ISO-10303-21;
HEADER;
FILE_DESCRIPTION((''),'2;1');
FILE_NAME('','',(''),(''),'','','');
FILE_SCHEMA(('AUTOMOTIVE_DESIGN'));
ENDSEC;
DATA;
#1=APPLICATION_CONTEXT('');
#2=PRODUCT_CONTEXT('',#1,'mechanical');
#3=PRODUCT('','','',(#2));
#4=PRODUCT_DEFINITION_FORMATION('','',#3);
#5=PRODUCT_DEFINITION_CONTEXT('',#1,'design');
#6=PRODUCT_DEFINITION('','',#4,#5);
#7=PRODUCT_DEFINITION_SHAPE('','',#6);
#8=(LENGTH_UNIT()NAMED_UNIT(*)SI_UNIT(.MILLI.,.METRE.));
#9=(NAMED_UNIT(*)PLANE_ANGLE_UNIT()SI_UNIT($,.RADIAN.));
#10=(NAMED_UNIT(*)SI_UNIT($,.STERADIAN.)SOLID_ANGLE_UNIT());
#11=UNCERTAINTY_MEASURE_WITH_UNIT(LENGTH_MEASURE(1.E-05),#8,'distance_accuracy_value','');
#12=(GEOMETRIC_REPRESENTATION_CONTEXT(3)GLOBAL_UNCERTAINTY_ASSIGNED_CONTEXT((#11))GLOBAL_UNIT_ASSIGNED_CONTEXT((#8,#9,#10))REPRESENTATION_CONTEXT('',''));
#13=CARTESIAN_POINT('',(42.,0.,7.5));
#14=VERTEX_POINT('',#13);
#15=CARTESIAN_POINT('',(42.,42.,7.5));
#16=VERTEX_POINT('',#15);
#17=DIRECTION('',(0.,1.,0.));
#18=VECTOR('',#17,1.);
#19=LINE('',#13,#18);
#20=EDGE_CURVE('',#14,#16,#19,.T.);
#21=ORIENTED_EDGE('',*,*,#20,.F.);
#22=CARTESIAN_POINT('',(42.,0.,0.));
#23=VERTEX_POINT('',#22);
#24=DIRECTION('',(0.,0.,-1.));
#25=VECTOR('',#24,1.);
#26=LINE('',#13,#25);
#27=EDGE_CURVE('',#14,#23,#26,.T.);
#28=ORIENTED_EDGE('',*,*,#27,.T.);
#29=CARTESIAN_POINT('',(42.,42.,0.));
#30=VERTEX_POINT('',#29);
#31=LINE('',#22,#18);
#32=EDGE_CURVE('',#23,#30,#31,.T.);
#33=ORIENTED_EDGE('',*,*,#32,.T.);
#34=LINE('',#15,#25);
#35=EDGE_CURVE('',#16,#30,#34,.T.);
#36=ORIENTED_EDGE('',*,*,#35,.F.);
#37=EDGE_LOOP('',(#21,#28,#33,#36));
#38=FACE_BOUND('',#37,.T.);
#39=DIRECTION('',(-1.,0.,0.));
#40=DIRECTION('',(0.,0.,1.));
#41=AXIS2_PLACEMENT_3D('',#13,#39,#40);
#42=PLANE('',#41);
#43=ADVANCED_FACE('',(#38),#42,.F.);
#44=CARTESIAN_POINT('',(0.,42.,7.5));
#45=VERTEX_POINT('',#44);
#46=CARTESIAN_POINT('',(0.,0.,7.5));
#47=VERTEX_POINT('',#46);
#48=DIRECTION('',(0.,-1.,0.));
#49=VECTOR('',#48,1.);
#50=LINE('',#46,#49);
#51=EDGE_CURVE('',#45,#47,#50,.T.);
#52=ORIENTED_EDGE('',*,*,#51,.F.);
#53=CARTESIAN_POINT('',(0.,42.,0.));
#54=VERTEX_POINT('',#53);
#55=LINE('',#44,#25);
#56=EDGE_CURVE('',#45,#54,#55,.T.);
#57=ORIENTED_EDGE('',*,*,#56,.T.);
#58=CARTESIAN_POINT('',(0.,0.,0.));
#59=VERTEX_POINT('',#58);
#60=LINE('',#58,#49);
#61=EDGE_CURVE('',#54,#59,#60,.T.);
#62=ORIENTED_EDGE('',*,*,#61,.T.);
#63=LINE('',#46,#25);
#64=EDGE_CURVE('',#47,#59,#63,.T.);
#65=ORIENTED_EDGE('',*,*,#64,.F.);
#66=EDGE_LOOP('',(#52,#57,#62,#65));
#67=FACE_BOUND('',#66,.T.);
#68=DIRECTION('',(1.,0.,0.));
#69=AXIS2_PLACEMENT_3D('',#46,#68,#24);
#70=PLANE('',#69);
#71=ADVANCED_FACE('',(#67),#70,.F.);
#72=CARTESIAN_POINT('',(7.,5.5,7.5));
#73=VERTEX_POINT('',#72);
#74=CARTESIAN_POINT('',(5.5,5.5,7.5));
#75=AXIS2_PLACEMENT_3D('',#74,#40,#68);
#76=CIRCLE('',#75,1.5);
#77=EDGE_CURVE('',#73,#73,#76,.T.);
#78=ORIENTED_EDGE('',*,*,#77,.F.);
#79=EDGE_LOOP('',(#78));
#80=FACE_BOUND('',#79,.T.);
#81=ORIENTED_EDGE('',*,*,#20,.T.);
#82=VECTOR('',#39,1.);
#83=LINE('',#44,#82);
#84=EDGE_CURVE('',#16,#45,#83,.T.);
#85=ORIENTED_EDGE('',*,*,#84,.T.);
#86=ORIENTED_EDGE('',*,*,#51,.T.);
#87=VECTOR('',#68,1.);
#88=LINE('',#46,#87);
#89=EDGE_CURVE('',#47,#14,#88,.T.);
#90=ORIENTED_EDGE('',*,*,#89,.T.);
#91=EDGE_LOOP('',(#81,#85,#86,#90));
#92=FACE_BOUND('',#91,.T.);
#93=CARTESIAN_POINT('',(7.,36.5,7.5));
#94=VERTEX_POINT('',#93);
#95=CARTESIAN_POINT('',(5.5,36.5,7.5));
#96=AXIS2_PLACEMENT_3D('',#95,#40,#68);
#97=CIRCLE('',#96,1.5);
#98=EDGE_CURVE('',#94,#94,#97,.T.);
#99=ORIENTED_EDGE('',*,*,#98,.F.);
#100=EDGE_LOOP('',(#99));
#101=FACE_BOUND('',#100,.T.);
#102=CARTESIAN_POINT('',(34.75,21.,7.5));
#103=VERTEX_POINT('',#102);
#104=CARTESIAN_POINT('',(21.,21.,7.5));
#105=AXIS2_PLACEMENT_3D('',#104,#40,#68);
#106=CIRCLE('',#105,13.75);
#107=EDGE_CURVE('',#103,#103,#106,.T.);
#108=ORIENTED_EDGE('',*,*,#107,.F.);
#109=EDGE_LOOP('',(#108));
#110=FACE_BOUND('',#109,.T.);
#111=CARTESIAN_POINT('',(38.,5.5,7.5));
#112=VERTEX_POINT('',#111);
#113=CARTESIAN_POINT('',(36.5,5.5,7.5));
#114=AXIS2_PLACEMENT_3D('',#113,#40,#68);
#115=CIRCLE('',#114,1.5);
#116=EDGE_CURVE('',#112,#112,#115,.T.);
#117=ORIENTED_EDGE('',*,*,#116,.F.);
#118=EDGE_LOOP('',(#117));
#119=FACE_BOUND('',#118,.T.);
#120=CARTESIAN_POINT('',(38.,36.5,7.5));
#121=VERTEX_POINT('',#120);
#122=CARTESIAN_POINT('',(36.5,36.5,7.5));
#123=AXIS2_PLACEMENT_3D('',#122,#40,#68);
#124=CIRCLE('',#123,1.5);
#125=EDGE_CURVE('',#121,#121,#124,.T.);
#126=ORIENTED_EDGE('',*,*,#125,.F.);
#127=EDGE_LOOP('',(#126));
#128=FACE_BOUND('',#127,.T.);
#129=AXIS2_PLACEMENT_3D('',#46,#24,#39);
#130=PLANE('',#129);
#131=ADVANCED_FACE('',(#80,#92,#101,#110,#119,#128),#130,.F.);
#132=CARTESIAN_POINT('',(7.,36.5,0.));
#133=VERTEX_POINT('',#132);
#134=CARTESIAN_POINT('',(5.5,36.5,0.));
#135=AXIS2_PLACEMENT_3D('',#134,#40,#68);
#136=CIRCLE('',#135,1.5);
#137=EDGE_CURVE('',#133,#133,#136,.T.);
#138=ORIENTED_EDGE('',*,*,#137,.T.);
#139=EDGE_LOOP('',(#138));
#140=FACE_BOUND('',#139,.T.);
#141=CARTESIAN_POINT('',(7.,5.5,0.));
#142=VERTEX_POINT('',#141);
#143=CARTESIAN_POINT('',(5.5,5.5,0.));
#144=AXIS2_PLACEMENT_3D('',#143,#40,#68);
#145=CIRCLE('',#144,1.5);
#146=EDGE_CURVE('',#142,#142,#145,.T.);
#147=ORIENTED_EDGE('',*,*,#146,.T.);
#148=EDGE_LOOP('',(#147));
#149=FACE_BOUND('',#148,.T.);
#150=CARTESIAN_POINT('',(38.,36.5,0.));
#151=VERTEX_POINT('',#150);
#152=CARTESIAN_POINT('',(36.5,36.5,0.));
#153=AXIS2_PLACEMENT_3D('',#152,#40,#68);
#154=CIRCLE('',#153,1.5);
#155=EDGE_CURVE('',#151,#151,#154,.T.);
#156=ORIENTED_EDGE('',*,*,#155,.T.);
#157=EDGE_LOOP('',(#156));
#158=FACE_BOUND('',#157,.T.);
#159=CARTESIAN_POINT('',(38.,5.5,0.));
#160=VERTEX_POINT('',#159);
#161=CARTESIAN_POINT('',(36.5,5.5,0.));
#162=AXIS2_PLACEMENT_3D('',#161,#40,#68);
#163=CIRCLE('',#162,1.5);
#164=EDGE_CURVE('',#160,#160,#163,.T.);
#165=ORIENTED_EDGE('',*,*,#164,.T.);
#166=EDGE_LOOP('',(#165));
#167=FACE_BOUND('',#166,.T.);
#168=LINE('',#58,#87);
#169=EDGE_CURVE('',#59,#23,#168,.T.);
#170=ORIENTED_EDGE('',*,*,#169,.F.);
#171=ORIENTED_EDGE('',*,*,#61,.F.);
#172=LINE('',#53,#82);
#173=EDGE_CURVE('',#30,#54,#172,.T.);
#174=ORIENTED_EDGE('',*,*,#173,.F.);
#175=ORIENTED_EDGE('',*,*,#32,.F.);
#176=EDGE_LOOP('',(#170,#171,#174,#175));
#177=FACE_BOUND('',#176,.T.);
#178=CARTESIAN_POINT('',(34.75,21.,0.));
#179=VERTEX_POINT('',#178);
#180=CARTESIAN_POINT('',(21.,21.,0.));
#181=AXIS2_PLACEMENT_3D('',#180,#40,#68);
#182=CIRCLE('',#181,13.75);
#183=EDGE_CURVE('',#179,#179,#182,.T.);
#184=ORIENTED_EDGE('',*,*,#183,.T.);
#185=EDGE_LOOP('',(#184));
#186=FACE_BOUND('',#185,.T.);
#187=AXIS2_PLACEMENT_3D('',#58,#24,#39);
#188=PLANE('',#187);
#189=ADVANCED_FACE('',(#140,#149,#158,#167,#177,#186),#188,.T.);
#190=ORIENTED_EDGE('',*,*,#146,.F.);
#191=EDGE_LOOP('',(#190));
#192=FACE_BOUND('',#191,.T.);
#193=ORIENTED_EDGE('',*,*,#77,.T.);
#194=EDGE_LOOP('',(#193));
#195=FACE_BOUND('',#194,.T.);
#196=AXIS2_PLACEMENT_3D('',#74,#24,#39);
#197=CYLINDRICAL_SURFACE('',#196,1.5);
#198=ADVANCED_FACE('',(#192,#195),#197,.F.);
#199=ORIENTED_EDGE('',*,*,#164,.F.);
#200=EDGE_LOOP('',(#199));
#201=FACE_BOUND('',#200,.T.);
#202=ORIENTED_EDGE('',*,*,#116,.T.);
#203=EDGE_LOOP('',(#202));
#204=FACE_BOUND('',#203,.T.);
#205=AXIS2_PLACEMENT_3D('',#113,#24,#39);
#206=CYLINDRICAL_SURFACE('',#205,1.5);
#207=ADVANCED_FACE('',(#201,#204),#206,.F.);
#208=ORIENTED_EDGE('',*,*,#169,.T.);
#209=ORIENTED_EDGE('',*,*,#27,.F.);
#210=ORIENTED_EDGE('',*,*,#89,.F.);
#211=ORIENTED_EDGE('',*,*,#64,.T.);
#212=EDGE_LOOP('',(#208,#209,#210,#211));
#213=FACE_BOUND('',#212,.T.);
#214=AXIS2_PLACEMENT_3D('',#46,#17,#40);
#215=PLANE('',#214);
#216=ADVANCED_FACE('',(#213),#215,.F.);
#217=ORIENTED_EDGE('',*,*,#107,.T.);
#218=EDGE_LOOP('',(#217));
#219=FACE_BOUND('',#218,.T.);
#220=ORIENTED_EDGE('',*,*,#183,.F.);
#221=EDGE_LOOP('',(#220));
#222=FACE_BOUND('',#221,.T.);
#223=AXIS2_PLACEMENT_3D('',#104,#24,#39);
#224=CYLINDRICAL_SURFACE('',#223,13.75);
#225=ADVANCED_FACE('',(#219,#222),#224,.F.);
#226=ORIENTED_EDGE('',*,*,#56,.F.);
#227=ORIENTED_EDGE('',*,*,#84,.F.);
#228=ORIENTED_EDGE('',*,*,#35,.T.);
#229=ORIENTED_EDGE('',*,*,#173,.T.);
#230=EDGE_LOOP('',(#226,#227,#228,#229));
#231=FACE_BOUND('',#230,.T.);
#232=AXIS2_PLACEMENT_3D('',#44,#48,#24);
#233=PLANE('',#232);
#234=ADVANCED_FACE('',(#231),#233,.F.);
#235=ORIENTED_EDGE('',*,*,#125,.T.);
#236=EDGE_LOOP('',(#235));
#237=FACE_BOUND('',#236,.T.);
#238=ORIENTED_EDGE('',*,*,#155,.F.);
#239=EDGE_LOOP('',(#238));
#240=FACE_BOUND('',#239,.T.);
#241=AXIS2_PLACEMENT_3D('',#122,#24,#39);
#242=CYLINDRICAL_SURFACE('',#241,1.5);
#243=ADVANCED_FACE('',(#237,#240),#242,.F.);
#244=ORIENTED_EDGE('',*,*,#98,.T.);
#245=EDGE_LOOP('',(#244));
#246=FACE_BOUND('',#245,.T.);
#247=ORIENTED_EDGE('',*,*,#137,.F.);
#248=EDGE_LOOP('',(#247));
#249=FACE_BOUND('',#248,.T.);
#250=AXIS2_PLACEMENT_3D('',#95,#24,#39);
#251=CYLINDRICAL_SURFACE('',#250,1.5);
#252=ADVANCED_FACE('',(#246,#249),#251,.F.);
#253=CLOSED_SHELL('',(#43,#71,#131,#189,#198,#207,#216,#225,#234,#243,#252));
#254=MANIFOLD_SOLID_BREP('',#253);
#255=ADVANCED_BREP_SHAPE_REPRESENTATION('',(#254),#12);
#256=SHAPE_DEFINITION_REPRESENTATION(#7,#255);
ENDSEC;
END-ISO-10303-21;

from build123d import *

# Parameters (mm, degrees)
SKETCH1_W           = 42
SKETCH1_H           = 42
SKETCH1_R           = 1.5
SKETCH1_R_2         = 13.75
BOSS_EXTRUDE1_DEPTH = 7.5


with BuildPart() as part:
    # Sketch1 → Boss-Extrude1 (new body)
    with BuildSketch(Plane.XY):
        with Locations((21, 21)):
            Rectangle(SKETCH1_W, SKETCH1_H)
        with Locations((5.5, 5.5)):
            Circle(SKETCH1_R, mode=Mode.SUBTRACT)
        with Locations((36.5, 5.5)):
            Circle(SKETCH1_R, mode=Mode.SUBTRACT)
        with Locations((36.5, 36.5)):
            Circle(SKETCH1_R, mode=Mode.SUBTRACT)
        with Locations((5.5, 36.5)):
            Circle(SKETCH1_R, mode=Mode.SUBTRACT)
        with Locations((21, 21)):
            Circle(SKETCH1_R_2, mode=Mode.SUBTRACT)
    extrude(amount=BOSS_EXTRUDE1_DEPTH)


solid = part.part
